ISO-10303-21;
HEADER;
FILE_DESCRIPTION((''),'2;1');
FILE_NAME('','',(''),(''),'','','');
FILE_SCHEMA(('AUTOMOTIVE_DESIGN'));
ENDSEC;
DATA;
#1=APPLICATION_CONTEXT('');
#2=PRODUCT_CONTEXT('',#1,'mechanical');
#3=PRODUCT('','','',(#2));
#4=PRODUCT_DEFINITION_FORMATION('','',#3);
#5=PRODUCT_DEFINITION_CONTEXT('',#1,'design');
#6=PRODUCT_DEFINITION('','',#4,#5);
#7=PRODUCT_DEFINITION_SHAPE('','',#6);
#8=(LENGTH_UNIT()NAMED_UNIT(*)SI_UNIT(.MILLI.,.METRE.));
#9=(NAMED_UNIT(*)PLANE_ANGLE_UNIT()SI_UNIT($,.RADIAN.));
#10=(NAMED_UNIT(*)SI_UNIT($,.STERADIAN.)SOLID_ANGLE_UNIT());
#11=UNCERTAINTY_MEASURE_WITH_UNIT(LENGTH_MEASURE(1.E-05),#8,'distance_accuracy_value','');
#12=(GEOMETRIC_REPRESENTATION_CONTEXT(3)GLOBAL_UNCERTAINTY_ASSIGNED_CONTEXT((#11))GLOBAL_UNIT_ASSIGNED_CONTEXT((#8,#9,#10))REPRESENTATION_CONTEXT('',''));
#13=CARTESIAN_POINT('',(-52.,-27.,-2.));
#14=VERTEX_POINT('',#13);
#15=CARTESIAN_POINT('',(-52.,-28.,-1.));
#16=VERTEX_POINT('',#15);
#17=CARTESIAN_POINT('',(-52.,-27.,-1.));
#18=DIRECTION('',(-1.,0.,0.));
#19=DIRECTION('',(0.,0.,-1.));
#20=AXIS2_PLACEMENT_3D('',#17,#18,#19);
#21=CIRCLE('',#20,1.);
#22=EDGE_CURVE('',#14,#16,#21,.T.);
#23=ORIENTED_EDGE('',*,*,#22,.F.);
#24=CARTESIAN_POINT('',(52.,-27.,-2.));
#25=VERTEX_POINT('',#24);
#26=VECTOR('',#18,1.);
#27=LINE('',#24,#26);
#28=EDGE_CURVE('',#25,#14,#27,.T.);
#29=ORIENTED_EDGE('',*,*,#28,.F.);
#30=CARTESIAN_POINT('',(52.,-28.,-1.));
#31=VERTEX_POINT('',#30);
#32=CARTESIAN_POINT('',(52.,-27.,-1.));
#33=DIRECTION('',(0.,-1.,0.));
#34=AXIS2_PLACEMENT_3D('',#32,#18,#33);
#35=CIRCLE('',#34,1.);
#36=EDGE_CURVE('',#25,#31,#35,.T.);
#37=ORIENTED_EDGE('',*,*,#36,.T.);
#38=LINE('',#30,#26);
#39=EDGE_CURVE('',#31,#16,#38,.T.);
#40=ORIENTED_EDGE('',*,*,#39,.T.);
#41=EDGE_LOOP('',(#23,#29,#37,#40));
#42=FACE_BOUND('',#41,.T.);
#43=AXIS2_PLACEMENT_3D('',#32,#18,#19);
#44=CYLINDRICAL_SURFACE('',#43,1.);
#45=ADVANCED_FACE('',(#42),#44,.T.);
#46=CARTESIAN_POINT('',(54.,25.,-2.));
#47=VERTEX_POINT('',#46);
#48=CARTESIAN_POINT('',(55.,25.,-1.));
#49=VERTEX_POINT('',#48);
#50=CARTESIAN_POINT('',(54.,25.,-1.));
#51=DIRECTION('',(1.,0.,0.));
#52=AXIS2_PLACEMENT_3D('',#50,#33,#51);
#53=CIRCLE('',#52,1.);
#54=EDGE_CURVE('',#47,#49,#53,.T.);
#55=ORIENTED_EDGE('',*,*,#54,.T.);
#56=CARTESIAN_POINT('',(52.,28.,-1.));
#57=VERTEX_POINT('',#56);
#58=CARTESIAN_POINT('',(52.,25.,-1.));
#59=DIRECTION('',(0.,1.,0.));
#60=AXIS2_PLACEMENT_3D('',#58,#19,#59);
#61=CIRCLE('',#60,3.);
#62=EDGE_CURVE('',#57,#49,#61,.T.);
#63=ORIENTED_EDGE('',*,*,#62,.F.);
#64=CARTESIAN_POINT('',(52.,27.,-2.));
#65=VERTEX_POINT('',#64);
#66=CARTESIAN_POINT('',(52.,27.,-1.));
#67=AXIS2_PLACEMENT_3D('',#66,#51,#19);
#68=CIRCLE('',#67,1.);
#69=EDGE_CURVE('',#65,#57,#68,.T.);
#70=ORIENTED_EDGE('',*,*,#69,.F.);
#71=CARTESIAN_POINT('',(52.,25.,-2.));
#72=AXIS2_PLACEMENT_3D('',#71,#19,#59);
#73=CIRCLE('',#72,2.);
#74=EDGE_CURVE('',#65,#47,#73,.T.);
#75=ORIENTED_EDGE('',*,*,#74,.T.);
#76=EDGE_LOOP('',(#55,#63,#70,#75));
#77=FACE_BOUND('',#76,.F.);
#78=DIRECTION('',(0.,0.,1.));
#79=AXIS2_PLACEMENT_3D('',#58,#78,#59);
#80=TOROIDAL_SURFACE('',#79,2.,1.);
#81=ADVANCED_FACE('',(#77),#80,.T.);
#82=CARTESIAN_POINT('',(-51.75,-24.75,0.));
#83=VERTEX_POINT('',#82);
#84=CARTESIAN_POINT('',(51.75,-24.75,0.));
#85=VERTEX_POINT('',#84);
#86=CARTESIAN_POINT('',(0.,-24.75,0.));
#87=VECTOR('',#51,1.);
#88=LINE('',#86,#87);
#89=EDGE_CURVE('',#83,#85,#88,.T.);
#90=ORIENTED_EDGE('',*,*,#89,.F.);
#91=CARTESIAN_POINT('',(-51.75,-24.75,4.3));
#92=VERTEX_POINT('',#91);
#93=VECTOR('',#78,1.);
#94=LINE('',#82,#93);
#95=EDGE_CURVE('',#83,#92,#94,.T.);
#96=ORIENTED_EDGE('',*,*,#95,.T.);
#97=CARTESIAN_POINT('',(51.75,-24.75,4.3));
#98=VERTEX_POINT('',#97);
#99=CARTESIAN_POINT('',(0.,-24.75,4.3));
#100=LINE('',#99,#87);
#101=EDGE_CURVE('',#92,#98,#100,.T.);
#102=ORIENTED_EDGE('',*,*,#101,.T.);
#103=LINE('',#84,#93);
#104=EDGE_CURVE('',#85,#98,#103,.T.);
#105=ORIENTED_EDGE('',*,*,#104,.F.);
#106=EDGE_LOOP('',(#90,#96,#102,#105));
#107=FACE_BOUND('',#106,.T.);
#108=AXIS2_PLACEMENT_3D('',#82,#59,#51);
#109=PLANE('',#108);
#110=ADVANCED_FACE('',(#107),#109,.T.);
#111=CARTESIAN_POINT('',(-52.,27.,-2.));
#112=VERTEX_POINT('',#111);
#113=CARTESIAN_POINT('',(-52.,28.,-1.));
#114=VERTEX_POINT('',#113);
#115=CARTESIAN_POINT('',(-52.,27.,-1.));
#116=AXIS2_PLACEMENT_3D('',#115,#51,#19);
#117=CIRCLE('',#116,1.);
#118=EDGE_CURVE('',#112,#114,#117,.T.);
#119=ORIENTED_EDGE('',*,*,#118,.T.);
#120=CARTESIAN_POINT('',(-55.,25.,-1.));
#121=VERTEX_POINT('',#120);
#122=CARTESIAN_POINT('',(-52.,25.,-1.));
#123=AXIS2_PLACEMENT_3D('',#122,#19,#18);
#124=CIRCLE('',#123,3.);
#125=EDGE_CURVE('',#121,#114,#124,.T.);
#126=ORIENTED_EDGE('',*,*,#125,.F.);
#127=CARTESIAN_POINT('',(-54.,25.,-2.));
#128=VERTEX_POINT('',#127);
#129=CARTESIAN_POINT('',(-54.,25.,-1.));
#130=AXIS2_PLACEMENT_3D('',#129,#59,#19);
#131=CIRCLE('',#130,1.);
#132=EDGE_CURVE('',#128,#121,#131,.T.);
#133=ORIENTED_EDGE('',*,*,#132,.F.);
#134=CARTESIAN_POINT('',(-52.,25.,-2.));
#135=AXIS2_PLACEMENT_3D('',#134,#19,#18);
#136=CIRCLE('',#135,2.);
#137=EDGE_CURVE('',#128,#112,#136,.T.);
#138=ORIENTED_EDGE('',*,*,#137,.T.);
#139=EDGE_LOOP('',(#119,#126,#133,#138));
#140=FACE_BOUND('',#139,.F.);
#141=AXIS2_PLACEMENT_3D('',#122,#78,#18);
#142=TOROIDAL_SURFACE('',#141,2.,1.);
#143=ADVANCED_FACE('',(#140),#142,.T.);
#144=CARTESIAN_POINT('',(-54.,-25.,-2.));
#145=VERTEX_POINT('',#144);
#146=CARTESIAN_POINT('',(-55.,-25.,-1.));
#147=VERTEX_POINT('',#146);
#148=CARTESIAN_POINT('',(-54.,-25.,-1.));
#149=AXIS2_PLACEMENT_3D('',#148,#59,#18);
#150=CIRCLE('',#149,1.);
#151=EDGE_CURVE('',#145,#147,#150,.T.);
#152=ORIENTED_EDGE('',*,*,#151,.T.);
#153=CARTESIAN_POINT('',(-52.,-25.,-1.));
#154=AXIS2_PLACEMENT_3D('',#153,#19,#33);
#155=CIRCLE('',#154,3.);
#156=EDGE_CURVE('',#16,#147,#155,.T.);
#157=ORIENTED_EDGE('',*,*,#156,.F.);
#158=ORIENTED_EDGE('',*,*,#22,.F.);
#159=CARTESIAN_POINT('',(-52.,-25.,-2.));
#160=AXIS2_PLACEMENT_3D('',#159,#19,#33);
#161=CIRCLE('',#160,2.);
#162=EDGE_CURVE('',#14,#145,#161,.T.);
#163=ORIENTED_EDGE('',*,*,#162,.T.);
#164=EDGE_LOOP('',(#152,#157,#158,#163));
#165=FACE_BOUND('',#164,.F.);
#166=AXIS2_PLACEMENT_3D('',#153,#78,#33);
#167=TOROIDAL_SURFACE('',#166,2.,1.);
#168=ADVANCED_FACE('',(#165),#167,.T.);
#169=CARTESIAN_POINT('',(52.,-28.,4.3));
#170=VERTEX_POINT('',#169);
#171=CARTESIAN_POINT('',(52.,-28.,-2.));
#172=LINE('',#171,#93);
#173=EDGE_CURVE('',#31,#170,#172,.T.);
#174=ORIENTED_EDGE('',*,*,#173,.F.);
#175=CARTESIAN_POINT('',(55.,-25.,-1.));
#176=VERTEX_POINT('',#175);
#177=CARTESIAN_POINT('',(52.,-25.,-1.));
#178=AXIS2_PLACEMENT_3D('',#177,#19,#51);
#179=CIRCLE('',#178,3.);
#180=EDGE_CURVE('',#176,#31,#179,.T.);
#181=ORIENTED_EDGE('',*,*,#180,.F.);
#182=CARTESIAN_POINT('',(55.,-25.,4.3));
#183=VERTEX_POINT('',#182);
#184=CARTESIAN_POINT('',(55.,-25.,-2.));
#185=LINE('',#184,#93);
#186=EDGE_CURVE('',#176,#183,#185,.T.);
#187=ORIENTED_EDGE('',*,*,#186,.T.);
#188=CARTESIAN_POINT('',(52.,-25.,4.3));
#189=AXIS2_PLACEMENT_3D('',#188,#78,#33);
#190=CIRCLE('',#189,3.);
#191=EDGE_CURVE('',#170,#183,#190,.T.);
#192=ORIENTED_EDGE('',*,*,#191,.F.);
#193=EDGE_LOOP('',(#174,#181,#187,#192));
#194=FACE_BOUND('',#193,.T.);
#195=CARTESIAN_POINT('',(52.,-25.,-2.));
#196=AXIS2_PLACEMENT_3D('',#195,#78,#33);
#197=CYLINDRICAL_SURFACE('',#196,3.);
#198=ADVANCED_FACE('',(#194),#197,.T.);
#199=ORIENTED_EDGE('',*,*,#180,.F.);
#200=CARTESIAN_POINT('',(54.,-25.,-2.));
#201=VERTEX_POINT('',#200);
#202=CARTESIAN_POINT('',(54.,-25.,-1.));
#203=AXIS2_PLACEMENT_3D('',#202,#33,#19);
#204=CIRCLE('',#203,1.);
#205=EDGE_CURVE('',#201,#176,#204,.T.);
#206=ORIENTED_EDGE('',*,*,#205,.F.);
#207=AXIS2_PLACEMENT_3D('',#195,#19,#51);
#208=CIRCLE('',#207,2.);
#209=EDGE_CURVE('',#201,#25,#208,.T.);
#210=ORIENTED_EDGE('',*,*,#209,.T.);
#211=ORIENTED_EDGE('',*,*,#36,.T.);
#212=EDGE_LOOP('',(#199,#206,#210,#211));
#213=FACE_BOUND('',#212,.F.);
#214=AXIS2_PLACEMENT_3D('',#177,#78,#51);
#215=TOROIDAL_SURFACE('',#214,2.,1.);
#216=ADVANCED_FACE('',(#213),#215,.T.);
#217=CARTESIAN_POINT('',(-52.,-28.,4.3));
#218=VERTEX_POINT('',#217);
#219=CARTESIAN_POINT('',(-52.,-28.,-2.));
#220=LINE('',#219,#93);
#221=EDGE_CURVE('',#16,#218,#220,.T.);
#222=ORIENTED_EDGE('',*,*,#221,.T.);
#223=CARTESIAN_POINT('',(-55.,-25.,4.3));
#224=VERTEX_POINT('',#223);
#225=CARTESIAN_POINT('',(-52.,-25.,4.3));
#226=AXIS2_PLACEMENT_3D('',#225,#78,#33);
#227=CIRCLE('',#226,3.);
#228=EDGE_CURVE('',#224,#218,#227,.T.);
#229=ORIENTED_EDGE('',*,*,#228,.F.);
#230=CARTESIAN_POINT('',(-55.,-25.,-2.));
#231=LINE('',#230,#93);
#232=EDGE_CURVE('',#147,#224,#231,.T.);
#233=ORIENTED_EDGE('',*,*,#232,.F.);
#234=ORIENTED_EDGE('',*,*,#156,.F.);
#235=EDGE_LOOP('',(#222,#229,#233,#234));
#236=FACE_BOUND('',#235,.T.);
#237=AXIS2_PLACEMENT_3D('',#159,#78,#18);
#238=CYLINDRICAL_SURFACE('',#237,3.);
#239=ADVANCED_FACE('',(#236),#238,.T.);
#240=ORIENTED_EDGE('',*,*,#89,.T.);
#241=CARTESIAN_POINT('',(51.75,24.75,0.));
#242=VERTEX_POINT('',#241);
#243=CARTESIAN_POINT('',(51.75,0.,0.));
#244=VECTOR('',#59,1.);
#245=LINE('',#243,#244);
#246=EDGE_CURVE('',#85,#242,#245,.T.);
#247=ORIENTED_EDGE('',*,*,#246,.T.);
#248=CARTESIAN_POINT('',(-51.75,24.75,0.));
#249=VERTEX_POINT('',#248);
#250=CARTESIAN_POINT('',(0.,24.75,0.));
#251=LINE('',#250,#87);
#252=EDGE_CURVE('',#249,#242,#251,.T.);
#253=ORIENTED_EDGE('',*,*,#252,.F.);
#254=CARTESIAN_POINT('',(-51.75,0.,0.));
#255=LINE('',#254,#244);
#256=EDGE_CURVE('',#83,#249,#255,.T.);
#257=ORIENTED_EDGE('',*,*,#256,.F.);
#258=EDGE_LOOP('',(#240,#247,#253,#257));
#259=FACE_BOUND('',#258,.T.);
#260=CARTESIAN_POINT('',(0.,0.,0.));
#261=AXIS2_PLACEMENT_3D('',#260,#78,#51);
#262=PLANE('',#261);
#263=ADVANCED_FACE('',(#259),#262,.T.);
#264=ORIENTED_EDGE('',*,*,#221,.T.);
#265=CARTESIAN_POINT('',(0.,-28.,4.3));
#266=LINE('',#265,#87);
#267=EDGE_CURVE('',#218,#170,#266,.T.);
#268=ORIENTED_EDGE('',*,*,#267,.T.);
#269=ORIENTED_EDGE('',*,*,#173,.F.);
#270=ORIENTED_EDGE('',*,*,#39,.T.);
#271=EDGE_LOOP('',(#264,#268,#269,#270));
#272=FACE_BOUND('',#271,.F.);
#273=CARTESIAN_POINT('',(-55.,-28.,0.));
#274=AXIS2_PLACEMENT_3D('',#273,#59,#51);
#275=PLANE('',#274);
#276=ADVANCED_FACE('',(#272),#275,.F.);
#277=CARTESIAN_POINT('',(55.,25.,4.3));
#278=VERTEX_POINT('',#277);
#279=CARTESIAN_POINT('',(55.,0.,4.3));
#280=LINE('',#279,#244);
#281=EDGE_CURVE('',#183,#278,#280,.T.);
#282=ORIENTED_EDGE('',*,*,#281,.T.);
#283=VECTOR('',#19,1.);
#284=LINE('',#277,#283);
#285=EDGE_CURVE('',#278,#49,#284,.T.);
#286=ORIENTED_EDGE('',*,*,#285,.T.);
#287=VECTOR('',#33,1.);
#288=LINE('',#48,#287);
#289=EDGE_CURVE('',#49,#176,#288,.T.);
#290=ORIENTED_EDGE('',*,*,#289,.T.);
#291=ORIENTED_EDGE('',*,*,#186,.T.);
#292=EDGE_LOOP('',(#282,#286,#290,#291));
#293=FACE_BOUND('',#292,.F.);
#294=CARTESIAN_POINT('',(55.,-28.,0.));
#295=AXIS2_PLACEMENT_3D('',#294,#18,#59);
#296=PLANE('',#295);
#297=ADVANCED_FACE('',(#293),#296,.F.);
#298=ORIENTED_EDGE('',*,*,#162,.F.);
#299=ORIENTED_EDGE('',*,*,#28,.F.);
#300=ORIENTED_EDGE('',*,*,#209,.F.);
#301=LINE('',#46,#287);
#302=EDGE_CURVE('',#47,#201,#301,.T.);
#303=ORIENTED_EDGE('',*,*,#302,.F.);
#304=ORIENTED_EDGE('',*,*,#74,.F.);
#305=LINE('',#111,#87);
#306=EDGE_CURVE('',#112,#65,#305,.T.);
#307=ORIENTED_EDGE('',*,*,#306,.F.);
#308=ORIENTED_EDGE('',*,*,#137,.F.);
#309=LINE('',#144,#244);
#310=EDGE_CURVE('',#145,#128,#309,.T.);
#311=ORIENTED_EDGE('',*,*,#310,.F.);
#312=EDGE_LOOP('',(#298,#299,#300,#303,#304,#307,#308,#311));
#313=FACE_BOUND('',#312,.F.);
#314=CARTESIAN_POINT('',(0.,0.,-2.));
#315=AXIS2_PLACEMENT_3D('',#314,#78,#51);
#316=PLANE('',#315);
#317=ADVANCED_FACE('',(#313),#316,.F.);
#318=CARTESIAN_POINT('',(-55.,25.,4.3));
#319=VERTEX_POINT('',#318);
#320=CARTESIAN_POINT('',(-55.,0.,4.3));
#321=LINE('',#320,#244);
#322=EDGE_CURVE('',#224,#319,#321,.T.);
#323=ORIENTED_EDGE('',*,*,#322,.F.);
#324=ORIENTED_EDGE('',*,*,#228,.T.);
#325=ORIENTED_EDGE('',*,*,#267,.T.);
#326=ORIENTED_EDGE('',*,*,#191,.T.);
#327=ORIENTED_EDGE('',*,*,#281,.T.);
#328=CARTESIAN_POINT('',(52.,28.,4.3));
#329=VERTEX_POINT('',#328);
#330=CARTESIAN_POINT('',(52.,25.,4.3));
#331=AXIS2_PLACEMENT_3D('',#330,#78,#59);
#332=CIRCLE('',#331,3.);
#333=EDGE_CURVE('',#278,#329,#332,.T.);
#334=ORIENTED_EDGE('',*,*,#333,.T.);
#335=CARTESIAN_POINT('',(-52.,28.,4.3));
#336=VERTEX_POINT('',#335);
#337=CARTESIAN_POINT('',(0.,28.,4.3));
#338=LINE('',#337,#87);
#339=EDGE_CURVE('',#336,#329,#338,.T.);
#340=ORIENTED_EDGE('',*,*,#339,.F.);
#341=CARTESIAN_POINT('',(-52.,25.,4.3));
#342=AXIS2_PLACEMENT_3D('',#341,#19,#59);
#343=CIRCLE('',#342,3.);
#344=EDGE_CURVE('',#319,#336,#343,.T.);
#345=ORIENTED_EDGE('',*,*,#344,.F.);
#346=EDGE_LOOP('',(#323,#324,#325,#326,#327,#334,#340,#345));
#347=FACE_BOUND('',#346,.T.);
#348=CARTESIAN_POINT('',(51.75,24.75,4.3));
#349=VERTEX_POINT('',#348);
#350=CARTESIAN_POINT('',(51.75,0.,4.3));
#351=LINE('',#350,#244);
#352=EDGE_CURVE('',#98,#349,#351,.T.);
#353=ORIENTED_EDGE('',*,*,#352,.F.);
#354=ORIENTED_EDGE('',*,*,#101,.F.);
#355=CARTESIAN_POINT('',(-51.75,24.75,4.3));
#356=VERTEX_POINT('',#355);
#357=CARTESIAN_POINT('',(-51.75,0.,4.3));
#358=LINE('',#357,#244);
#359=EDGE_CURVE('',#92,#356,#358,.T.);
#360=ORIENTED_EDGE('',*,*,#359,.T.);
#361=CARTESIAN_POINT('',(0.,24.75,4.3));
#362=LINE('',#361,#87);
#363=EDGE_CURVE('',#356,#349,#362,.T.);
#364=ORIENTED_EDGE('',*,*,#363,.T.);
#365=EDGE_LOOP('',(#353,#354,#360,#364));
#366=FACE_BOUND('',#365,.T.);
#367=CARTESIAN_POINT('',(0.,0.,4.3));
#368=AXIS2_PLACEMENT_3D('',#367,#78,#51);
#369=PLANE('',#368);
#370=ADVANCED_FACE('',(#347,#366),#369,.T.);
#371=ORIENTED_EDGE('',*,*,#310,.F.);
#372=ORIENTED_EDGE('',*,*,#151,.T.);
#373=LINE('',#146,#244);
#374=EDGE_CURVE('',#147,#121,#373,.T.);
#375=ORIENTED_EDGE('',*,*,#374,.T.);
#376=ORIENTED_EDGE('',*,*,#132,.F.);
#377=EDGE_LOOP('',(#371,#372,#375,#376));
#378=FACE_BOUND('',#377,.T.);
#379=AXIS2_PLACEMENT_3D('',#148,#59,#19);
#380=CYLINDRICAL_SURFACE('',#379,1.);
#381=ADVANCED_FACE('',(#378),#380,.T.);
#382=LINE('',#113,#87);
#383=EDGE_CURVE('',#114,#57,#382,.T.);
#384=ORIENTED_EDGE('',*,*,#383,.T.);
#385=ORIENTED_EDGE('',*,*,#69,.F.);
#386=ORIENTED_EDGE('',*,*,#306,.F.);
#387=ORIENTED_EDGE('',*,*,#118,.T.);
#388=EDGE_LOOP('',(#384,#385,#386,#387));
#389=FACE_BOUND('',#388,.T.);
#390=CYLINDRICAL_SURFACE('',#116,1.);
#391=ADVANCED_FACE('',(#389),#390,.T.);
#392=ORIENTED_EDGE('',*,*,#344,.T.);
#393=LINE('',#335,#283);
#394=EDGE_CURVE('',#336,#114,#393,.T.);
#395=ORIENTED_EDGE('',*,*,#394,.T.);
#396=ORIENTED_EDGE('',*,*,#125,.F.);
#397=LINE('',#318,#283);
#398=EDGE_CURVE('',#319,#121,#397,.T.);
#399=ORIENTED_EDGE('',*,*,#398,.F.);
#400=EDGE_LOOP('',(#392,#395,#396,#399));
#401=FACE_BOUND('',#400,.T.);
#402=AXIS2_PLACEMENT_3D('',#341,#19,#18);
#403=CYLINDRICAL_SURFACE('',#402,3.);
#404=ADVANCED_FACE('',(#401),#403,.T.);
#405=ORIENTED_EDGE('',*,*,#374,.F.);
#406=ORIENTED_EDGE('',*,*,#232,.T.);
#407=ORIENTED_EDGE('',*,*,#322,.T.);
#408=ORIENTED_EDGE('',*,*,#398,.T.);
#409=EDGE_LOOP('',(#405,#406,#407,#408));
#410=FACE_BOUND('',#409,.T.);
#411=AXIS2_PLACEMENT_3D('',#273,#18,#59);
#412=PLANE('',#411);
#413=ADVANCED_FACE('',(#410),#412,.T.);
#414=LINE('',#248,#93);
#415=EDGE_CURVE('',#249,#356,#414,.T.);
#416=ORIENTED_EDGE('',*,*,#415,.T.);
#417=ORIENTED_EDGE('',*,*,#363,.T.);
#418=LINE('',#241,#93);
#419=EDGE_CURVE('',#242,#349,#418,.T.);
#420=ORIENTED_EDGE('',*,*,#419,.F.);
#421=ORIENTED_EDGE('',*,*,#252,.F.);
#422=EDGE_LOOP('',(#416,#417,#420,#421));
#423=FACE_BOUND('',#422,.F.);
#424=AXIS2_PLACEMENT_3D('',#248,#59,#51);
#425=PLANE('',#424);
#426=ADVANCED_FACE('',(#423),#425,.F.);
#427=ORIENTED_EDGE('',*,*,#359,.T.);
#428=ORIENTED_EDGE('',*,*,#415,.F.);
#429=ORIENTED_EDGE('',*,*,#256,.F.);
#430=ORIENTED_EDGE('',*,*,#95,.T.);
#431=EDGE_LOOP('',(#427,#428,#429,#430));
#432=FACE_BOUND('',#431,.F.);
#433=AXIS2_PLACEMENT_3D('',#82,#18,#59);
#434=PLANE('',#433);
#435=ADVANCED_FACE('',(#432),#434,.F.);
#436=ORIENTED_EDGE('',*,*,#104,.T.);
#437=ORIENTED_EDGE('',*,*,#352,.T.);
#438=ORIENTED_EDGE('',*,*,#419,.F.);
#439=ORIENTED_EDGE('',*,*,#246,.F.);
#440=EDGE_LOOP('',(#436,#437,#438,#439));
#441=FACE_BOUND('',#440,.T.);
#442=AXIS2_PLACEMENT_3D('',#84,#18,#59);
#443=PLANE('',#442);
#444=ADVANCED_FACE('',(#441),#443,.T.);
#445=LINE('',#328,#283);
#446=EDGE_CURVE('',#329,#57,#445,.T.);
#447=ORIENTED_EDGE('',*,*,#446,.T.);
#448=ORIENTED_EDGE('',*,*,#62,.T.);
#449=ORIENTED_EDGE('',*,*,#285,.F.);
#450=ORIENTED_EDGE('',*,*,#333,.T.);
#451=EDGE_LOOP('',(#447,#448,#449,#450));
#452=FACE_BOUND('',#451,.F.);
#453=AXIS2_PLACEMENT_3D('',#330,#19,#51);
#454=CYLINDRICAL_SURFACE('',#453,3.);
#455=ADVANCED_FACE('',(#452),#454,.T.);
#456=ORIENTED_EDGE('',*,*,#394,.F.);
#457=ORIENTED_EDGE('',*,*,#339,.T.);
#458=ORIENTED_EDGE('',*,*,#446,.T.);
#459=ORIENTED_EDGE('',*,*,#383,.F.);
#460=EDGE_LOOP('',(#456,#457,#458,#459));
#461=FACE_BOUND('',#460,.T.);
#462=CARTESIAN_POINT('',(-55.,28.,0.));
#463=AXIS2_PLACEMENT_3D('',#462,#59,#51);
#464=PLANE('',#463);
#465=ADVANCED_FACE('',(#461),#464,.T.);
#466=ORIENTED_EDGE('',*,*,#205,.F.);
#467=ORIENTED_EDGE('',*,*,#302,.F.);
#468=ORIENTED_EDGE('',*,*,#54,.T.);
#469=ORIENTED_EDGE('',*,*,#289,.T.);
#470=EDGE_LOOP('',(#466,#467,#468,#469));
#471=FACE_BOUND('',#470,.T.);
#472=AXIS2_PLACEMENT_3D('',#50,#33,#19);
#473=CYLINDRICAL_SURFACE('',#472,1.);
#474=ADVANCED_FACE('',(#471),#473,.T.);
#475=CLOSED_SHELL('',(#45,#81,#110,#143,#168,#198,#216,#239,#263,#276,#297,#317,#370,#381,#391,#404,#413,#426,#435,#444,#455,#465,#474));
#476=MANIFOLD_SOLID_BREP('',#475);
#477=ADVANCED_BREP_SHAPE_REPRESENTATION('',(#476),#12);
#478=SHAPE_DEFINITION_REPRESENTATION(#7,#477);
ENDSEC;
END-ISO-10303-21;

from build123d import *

# Parameters (mm, degrees)
F4_W     = 110
F4_H     = 56
F4_W_2   = 103.5
F4_H_2   = 49.5
F5_DEPTH = 2
F6_DEPTH = 4.3
F7_R     = 3
F8_R     = 1


with BuildPart() as f5:
    # F4 (on Top) → F5 (new body)
    with BuildSketch(Plane.XY):
        Rectangle(F4_W, F4_H)
        Rectangle(F4_W_2, F4_H_2, mode=Mode.SUBTRACT)
        Rectangle(F4_W_2, F4_H_2)
    extrude(amount=-F5_DEPTH)

    # F4 (on Top) → F6 (join)
    with BuildSketch(Plane.XY):
        Rectangle(F4_W, F4_H)
        Rectangle(F4_W_2, F4_H_2, mode=Mode.SUBTRACT)
    extrude(amount=F6_DEPTH)

    # F7
    f7_edges = [f5.edges().sort_by_distance(p)[0] for p in [
        (-55, -28, 1.15),
        (55, -28, 1.15),
        (55, 28, 1.15),
        (-55, 28, 1.15),
    ]]
    fillet(f7_edges, radius=F7_R)

    # F8
    f8_edges = [f5.edges().sort_by_distance(p)[0] for p in [
        (0, 28, -2),
        (54.12132, 27.12132, -2),
        (-54.12132, 27.12132, -2),
        (55, 0, -2),
        (-55, 0, -2),
        (54.12132, -27.12132, -2),
        (-54.12132, -27.12132, -2),
        (0, -28, -2),
    ]]
    fillet(f8_edges, radius=F8_R)


solid = f5.part
